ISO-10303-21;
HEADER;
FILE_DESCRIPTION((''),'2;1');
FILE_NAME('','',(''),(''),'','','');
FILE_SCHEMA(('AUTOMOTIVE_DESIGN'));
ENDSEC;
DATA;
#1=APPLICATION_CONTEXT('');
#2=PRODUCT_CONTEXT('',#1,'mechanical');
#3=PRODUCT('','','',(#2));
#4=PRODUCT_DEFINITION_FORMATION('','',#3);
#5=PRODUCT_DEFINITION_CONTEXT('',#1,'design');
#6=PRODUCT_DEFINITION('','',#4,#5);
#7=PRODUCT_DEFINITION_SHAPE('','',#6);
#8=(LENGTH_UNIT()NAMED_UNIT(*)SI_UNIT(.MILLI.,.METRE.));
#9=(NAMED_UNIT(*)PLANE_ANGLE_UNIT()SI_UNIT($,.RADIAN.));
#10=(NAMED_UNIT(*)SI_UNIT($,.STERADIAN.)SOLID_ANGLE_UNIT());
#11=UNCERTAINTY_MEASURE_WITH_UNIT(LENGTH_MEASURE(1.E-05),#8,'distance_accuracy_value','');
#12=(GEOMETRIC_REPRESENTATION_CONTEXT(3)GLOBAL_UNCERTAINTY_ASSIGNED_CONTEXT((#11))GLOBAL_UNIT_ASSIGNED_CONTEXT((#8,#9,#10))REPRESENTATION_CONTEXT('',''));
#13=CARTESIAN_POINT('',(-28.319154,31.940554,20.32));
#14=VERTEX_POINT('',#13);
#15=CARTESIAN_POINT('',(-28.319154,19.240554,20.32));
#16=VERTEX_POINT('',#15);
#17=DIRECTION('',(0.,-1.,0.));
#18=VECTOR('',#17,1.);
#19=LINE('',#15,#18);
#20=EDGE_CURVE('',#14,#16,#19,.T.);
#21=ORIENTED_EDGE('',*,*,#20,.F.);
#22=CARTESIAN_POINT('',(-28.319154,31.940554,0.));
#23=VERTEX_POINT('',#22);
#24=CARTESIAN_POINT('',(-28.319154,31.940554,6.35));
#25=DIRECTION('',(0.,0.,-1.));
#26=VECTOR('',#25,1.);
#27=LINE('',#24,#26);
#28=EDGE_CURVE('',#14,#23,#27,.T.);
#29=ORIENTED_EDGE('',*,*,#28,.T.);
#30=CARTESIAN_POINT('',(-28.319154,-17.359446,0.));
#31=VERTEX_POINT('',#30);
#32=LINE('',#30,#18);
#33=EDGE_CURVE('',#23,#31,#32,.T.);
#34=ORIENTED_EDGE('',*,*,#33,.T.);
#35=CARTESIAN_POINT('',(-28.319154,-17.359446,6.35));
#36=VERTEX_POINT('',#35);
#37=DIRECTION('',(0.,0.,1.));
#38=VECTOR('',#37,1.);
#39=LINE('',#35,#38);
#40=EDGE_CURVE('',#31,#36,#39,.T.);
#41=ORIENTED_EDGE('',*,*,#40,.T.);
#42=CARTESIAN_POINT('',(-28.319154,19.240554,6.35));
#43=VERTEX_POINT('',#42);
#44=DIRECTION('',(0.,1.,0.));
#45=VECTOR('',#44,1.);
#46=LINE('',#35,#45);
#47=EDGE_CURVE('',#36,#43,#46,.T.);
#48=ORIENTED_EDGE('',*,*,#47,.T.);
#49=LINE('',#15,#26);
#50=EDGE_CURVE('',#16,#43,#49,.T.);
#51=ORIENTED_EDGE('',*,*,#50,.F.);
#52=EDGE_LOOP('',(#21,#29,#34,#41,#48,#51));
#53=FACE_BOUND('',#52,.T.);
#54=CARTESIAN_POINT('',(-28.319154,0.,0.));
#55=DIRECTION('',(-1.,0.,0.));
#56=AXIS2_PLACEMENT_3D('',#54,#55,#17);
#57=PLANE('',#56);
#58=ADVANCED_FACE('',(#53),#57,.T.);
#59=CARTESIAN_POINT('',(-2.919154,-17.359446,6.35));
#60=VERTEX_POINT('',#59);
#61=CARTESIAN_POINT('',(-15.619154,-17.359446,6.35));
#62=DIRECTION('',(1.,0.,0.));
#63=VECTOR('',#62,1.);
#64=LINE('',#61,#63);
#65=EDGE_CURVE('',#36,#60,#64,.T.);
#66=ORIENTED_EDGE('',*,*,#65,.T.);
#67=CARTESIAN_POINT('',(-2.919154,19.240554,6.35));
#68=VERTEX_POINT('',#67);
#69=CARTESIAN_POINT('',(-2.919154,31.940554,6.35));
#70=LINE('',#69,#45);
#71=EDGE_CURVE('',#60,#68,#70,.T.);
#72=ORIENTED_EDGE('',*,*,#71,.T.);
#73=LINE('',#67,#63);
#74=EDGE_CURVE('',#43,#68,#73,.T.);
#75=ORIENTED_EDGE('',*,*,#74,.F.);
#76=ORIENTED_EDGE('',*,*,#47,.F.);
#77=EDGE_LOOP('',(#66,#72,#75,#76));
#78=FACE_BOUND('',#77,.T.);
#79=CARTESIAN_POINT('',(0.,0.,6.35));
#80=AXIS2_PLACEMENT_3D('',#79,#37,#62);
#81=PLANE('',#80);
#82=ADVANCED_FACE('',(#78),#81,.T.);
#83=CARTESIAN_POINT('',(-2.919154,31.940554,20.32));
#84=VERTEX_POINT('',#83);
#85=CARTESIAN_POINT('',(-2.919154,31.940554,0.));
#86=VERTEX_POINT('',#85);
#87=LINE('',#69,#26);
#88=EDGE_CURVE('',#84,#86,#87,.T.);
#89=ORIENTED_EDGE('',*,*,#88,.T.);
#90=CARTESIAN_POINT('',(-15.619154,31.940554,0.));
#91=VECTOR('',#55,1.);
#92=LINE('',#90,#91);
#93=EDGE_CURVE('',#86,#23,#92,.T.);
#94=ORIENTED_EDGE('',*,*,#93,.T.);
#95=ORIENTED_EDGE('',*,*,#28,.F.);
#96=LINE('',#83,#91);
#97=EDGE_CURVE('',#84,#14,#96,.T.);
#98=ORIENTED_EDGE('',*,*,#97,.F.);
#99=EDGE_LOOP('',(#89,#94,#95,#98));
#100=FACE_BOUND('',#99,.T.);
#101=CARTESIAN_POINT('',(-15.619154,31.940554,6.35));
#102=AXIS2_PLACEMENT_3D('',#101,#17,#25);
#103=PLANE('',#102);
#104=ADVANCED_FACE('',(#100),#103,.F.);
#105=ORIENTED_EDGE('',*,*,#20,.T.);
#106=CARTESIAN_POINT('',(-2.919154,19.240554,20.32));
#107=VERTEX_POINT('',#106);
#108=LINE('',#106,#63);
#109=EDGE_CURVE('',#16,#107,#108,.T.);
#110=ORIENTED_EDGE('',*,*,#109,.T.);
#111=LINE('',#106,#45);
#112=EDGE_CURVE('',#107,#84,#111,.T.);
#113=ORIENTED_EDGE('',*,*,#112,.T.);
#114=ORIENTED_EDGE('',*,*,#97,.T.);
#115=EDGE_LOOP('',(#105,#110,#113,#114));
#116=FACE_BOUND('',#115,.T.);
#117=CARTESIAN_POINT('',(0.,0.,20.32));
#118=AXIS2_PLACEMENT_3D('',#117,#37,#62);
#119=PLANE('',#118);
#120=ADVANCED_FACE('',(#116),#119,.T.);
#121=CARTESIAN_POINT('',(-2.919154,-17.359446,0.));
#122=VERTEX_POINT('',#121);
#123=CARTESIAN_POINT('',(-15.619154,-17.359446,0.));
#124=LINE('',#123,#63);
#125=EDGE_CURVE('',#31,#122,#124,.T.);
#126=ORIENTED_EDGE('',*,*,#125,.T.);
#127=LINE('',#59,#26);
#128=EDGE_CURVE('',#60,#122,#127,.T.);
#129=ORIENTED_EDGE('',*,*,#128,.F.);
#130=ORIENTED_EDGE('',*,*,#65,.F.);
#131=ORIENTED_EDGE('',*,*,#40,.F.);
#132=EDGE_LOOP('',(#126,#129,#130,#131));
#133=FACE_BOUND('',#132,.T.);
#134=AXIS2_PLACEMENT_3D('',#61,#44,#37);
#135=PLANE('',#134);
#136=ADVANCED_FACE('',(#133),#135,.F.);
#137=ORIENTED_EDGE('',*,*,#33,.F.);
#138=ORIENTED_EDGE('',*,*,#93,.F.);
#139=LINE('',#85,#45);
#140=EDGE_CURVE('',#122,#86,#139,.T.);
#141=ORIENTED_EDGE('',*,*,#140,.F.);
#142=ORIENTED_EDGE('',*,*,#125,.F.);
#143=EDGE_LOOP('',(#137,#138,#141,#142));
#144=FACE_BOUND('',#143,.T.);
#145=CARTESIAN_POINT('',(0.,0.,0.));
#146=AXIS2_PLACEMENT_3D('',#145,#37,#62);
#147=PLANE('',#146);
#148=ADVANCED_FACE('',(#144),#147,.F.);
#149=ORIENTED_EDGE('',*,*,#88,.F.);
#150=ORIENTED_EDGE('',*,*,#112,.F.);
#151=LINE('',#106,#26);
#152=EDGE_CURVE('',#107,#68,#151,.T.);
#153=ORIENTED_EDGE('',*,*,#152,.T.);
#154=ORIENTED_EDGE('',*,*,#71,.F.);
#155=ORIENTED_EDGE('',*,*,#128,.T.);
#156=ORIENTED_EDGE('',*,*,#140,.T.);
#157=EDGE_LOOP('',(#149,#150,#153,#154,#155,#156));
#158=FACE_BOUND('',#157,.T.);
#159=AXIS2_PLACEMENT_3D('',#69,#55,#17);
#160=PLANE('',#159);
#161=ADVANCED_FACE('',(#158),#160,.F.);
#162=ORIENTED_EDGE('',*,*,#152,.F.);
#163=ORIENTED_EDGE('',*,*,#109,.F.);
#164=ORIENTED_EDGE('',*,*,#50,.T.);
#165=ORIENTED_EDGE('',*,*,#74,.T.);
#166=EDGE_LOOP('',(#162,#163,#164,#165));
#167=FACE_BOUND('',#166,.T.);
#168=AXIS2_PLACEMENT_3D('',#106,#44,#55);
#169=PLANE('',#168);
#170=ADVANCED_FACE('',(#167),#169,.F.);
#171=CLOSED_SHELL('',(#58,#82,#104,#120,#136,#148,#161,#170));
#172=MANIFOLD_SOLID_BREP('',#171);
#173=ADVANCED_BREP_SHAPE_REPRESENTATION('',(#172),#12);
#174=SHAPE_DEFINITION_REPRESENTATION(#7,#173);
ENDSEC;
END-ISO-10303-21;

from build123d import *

# Parameters (mm, degrees)
SKETCH1_W           = 12.7
SKETCH1_H           = 49.300000012
BOSS_EXTRUDE1_DEPTH = 6.35
SKETCH3_W           = 6.35
SKETCH3_H           = 49.300000012
BOSS_EXTRUDE3_DEPTH = 12.7
SKETCH2_W           = 25.4
SKETCH2_H           = 12.7
BOSS_EXTRUDE2_DEPTH = 13.97


with BuildPart() as part:
    # Sketch1 → Boss-Extrude1 (new body)
    with BuildSketch(Plane.XY):
        with Locations((-9.26915446, 7.290553641)):
            Rectangle(SKETCH1_W, SKETCH1_H)
    extrude(amount=BOSS_EXTRUDE1_DEPTH)

    # Sketch3 → Boss-Extrude3 (add)
    with BuildSketch(Plane.ZY.offset(15.61915446)):
        with Locations((3.175, 7.290553641)):
            Rectangle(SKETCH3_W, SKETCH3_H)
    extrude(amount=BOSS_EXTRUDE3_DEPTH)

    # Sketch2 → Boss-Extrude2 (add)
    with BuildSketch(Plane.XY.offset(6.35)):
        with Locations((-15.61915446, 25.590553647)):
            Rectangle(SKETCH2_W, SKETCH2_H)
    extrude(amount=BOSS_EXTRUDE2_DEPTH)


solid = part.part
